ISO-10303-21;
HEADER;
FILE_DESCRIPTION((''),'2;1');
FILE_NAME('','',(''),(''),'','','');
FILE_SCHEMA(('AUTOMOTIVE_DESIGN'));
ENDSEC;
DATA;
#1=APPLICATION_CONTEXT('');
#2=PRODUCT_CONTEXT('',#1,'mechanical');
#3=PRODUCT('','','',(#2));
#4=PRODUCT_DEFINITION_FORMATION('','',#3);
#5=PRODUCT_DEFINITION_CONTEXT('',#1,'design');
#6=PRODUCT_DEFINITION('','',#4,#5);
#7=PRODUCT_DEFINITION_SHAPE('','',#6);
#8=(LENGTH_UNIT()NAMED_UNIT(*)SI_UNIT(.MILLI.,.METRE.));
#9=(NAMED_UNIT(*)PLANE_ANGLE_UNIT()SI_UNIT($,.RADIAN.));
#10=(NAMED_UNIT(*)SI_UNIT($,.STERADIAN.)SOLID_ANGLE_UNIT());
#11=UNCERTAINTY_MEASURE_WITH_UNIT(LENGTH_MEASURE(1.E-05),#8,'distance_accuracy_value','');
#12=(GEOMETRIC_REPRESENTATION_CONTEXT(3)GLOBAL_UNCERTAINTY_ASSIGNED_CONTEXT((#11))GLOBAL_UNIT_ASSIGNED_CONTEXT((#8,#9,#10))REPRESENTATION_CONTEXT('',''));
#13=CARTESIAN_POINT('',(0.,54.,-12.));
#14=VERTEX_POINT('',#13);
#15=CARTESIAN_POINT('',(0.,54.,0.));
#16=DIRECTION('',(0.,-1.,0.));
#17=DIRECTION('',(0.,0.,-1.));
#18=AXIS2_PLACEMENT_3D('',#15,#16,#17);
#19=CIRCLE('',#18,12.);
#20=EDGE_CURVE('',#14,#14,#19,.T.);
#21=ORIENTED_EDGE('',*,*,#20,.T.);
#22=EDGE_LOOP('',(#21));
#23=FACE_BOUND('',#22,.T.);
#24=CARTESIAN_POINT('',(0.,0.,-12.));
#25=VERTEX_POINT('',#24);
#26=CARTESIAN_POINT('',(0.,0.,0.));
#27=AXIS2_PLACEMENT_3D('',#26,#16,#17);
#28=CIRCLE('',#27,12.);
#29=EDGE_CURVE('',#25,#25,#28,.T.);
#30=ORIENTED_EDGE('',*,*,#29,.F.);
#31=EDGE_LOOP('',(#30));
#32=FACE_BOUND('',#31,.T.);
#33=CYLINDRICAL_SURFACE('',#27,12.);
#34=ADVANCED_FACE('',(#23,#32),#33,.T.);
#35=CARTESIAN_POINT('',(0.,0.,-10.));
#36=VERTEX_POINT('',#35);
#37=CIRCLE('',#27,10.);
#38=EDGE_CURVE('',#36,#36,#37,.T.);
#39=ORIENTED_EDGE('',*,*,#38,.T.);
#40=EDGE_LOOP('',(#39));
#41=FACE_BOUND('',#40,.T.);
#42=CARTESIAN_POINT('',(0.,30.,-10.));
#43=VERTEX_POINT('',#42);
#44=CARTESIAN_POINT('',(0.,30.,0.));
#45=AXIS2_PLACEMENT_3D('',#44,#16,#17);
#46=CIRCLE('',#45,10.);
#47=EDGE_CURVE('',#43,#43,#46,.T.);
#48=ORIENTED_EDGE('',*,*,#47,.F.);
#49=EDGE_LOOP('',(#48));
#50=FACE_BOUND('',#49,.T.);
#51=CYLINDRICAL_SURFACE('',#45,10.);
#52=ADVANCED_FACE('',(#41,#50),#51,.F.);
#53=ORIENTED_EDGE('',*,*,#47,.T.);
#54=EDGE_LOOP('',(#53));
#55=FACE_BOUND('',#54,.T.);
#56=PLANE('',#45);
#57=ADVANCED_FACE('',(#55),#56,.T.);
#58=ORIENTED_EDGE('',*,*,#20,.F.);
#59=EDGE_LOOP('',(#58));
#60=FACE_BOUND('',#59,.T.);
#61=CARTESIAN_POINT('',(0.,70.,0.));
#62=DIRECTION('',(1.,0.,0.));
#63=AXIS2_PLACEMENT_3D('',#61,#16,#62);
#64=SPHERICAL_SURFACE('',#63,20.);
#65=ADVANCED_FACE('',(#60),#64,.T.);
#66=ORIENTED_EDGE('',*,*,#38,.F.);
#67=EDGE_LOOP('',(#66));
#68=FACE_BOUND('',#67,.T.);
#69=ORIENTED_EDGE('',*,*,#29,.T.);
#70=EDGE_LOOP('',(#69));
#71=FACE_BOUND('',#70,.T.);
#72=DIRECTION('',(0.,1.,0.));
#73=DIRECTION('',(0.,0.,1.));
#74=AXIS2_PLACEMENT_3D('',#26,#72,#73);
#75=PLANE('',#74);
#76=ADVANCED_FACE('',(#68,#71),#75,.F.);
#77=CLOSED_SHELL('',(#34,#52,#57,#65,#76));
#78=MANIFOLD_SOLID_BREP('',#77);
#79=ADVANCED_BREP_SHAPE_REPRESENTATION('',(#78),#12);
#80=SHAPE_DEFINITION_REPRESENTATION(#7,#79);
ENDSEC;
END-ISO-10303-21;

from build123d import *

# Parameters (mm, degrees)
SKETCH2_R          = 10
SKETCH2_R_2        = 5
CUT_EXTRUDE1_DEPTH = 30


with BuildPart() as part:
    # Sketch1 → Revolve1 (revolve)
    with BuildSketch(Plane.XY, mode=Mode.PRIVATE) as revolve1_sk:
        with BuildLine():
            Line((0, 0), (-12, 0))
            Line((-12, 0), (-12, 54))
            ThreePointArc((-12, 54), (-18.973665961, 76.32455532), (0, 90))
            Line((0, 90), (0, 0))
        make_face()
    revolve(revolve1_sk.sketch.rotate(Axis((0, 0, 0), (0, 1, 0)), 180), axis=Axis((0, 0, 0), (0, 1, 0)))

    # Sketch2 → Cut-Extrude1 (cut)
    with BuildSketch(Plane(origin=(0, 0, 0), x_dir=(-1, 0, 0), z_dir=(0, -1, 0))):
        with Locations(Location((0, 0, 0), (0, 0, 90))):
            Circle(SKETCH2_R)
        with Locations((0, -22)):
            Circle(SKETCH2_R_2)
        with Locations((0, 22)):
            Circle(SKETCH2_R_2)
    extrude(amount=-CUT_EXTRUDE1_DEPTH, mode=Mode.SUBTRACT)


solid = part.part
